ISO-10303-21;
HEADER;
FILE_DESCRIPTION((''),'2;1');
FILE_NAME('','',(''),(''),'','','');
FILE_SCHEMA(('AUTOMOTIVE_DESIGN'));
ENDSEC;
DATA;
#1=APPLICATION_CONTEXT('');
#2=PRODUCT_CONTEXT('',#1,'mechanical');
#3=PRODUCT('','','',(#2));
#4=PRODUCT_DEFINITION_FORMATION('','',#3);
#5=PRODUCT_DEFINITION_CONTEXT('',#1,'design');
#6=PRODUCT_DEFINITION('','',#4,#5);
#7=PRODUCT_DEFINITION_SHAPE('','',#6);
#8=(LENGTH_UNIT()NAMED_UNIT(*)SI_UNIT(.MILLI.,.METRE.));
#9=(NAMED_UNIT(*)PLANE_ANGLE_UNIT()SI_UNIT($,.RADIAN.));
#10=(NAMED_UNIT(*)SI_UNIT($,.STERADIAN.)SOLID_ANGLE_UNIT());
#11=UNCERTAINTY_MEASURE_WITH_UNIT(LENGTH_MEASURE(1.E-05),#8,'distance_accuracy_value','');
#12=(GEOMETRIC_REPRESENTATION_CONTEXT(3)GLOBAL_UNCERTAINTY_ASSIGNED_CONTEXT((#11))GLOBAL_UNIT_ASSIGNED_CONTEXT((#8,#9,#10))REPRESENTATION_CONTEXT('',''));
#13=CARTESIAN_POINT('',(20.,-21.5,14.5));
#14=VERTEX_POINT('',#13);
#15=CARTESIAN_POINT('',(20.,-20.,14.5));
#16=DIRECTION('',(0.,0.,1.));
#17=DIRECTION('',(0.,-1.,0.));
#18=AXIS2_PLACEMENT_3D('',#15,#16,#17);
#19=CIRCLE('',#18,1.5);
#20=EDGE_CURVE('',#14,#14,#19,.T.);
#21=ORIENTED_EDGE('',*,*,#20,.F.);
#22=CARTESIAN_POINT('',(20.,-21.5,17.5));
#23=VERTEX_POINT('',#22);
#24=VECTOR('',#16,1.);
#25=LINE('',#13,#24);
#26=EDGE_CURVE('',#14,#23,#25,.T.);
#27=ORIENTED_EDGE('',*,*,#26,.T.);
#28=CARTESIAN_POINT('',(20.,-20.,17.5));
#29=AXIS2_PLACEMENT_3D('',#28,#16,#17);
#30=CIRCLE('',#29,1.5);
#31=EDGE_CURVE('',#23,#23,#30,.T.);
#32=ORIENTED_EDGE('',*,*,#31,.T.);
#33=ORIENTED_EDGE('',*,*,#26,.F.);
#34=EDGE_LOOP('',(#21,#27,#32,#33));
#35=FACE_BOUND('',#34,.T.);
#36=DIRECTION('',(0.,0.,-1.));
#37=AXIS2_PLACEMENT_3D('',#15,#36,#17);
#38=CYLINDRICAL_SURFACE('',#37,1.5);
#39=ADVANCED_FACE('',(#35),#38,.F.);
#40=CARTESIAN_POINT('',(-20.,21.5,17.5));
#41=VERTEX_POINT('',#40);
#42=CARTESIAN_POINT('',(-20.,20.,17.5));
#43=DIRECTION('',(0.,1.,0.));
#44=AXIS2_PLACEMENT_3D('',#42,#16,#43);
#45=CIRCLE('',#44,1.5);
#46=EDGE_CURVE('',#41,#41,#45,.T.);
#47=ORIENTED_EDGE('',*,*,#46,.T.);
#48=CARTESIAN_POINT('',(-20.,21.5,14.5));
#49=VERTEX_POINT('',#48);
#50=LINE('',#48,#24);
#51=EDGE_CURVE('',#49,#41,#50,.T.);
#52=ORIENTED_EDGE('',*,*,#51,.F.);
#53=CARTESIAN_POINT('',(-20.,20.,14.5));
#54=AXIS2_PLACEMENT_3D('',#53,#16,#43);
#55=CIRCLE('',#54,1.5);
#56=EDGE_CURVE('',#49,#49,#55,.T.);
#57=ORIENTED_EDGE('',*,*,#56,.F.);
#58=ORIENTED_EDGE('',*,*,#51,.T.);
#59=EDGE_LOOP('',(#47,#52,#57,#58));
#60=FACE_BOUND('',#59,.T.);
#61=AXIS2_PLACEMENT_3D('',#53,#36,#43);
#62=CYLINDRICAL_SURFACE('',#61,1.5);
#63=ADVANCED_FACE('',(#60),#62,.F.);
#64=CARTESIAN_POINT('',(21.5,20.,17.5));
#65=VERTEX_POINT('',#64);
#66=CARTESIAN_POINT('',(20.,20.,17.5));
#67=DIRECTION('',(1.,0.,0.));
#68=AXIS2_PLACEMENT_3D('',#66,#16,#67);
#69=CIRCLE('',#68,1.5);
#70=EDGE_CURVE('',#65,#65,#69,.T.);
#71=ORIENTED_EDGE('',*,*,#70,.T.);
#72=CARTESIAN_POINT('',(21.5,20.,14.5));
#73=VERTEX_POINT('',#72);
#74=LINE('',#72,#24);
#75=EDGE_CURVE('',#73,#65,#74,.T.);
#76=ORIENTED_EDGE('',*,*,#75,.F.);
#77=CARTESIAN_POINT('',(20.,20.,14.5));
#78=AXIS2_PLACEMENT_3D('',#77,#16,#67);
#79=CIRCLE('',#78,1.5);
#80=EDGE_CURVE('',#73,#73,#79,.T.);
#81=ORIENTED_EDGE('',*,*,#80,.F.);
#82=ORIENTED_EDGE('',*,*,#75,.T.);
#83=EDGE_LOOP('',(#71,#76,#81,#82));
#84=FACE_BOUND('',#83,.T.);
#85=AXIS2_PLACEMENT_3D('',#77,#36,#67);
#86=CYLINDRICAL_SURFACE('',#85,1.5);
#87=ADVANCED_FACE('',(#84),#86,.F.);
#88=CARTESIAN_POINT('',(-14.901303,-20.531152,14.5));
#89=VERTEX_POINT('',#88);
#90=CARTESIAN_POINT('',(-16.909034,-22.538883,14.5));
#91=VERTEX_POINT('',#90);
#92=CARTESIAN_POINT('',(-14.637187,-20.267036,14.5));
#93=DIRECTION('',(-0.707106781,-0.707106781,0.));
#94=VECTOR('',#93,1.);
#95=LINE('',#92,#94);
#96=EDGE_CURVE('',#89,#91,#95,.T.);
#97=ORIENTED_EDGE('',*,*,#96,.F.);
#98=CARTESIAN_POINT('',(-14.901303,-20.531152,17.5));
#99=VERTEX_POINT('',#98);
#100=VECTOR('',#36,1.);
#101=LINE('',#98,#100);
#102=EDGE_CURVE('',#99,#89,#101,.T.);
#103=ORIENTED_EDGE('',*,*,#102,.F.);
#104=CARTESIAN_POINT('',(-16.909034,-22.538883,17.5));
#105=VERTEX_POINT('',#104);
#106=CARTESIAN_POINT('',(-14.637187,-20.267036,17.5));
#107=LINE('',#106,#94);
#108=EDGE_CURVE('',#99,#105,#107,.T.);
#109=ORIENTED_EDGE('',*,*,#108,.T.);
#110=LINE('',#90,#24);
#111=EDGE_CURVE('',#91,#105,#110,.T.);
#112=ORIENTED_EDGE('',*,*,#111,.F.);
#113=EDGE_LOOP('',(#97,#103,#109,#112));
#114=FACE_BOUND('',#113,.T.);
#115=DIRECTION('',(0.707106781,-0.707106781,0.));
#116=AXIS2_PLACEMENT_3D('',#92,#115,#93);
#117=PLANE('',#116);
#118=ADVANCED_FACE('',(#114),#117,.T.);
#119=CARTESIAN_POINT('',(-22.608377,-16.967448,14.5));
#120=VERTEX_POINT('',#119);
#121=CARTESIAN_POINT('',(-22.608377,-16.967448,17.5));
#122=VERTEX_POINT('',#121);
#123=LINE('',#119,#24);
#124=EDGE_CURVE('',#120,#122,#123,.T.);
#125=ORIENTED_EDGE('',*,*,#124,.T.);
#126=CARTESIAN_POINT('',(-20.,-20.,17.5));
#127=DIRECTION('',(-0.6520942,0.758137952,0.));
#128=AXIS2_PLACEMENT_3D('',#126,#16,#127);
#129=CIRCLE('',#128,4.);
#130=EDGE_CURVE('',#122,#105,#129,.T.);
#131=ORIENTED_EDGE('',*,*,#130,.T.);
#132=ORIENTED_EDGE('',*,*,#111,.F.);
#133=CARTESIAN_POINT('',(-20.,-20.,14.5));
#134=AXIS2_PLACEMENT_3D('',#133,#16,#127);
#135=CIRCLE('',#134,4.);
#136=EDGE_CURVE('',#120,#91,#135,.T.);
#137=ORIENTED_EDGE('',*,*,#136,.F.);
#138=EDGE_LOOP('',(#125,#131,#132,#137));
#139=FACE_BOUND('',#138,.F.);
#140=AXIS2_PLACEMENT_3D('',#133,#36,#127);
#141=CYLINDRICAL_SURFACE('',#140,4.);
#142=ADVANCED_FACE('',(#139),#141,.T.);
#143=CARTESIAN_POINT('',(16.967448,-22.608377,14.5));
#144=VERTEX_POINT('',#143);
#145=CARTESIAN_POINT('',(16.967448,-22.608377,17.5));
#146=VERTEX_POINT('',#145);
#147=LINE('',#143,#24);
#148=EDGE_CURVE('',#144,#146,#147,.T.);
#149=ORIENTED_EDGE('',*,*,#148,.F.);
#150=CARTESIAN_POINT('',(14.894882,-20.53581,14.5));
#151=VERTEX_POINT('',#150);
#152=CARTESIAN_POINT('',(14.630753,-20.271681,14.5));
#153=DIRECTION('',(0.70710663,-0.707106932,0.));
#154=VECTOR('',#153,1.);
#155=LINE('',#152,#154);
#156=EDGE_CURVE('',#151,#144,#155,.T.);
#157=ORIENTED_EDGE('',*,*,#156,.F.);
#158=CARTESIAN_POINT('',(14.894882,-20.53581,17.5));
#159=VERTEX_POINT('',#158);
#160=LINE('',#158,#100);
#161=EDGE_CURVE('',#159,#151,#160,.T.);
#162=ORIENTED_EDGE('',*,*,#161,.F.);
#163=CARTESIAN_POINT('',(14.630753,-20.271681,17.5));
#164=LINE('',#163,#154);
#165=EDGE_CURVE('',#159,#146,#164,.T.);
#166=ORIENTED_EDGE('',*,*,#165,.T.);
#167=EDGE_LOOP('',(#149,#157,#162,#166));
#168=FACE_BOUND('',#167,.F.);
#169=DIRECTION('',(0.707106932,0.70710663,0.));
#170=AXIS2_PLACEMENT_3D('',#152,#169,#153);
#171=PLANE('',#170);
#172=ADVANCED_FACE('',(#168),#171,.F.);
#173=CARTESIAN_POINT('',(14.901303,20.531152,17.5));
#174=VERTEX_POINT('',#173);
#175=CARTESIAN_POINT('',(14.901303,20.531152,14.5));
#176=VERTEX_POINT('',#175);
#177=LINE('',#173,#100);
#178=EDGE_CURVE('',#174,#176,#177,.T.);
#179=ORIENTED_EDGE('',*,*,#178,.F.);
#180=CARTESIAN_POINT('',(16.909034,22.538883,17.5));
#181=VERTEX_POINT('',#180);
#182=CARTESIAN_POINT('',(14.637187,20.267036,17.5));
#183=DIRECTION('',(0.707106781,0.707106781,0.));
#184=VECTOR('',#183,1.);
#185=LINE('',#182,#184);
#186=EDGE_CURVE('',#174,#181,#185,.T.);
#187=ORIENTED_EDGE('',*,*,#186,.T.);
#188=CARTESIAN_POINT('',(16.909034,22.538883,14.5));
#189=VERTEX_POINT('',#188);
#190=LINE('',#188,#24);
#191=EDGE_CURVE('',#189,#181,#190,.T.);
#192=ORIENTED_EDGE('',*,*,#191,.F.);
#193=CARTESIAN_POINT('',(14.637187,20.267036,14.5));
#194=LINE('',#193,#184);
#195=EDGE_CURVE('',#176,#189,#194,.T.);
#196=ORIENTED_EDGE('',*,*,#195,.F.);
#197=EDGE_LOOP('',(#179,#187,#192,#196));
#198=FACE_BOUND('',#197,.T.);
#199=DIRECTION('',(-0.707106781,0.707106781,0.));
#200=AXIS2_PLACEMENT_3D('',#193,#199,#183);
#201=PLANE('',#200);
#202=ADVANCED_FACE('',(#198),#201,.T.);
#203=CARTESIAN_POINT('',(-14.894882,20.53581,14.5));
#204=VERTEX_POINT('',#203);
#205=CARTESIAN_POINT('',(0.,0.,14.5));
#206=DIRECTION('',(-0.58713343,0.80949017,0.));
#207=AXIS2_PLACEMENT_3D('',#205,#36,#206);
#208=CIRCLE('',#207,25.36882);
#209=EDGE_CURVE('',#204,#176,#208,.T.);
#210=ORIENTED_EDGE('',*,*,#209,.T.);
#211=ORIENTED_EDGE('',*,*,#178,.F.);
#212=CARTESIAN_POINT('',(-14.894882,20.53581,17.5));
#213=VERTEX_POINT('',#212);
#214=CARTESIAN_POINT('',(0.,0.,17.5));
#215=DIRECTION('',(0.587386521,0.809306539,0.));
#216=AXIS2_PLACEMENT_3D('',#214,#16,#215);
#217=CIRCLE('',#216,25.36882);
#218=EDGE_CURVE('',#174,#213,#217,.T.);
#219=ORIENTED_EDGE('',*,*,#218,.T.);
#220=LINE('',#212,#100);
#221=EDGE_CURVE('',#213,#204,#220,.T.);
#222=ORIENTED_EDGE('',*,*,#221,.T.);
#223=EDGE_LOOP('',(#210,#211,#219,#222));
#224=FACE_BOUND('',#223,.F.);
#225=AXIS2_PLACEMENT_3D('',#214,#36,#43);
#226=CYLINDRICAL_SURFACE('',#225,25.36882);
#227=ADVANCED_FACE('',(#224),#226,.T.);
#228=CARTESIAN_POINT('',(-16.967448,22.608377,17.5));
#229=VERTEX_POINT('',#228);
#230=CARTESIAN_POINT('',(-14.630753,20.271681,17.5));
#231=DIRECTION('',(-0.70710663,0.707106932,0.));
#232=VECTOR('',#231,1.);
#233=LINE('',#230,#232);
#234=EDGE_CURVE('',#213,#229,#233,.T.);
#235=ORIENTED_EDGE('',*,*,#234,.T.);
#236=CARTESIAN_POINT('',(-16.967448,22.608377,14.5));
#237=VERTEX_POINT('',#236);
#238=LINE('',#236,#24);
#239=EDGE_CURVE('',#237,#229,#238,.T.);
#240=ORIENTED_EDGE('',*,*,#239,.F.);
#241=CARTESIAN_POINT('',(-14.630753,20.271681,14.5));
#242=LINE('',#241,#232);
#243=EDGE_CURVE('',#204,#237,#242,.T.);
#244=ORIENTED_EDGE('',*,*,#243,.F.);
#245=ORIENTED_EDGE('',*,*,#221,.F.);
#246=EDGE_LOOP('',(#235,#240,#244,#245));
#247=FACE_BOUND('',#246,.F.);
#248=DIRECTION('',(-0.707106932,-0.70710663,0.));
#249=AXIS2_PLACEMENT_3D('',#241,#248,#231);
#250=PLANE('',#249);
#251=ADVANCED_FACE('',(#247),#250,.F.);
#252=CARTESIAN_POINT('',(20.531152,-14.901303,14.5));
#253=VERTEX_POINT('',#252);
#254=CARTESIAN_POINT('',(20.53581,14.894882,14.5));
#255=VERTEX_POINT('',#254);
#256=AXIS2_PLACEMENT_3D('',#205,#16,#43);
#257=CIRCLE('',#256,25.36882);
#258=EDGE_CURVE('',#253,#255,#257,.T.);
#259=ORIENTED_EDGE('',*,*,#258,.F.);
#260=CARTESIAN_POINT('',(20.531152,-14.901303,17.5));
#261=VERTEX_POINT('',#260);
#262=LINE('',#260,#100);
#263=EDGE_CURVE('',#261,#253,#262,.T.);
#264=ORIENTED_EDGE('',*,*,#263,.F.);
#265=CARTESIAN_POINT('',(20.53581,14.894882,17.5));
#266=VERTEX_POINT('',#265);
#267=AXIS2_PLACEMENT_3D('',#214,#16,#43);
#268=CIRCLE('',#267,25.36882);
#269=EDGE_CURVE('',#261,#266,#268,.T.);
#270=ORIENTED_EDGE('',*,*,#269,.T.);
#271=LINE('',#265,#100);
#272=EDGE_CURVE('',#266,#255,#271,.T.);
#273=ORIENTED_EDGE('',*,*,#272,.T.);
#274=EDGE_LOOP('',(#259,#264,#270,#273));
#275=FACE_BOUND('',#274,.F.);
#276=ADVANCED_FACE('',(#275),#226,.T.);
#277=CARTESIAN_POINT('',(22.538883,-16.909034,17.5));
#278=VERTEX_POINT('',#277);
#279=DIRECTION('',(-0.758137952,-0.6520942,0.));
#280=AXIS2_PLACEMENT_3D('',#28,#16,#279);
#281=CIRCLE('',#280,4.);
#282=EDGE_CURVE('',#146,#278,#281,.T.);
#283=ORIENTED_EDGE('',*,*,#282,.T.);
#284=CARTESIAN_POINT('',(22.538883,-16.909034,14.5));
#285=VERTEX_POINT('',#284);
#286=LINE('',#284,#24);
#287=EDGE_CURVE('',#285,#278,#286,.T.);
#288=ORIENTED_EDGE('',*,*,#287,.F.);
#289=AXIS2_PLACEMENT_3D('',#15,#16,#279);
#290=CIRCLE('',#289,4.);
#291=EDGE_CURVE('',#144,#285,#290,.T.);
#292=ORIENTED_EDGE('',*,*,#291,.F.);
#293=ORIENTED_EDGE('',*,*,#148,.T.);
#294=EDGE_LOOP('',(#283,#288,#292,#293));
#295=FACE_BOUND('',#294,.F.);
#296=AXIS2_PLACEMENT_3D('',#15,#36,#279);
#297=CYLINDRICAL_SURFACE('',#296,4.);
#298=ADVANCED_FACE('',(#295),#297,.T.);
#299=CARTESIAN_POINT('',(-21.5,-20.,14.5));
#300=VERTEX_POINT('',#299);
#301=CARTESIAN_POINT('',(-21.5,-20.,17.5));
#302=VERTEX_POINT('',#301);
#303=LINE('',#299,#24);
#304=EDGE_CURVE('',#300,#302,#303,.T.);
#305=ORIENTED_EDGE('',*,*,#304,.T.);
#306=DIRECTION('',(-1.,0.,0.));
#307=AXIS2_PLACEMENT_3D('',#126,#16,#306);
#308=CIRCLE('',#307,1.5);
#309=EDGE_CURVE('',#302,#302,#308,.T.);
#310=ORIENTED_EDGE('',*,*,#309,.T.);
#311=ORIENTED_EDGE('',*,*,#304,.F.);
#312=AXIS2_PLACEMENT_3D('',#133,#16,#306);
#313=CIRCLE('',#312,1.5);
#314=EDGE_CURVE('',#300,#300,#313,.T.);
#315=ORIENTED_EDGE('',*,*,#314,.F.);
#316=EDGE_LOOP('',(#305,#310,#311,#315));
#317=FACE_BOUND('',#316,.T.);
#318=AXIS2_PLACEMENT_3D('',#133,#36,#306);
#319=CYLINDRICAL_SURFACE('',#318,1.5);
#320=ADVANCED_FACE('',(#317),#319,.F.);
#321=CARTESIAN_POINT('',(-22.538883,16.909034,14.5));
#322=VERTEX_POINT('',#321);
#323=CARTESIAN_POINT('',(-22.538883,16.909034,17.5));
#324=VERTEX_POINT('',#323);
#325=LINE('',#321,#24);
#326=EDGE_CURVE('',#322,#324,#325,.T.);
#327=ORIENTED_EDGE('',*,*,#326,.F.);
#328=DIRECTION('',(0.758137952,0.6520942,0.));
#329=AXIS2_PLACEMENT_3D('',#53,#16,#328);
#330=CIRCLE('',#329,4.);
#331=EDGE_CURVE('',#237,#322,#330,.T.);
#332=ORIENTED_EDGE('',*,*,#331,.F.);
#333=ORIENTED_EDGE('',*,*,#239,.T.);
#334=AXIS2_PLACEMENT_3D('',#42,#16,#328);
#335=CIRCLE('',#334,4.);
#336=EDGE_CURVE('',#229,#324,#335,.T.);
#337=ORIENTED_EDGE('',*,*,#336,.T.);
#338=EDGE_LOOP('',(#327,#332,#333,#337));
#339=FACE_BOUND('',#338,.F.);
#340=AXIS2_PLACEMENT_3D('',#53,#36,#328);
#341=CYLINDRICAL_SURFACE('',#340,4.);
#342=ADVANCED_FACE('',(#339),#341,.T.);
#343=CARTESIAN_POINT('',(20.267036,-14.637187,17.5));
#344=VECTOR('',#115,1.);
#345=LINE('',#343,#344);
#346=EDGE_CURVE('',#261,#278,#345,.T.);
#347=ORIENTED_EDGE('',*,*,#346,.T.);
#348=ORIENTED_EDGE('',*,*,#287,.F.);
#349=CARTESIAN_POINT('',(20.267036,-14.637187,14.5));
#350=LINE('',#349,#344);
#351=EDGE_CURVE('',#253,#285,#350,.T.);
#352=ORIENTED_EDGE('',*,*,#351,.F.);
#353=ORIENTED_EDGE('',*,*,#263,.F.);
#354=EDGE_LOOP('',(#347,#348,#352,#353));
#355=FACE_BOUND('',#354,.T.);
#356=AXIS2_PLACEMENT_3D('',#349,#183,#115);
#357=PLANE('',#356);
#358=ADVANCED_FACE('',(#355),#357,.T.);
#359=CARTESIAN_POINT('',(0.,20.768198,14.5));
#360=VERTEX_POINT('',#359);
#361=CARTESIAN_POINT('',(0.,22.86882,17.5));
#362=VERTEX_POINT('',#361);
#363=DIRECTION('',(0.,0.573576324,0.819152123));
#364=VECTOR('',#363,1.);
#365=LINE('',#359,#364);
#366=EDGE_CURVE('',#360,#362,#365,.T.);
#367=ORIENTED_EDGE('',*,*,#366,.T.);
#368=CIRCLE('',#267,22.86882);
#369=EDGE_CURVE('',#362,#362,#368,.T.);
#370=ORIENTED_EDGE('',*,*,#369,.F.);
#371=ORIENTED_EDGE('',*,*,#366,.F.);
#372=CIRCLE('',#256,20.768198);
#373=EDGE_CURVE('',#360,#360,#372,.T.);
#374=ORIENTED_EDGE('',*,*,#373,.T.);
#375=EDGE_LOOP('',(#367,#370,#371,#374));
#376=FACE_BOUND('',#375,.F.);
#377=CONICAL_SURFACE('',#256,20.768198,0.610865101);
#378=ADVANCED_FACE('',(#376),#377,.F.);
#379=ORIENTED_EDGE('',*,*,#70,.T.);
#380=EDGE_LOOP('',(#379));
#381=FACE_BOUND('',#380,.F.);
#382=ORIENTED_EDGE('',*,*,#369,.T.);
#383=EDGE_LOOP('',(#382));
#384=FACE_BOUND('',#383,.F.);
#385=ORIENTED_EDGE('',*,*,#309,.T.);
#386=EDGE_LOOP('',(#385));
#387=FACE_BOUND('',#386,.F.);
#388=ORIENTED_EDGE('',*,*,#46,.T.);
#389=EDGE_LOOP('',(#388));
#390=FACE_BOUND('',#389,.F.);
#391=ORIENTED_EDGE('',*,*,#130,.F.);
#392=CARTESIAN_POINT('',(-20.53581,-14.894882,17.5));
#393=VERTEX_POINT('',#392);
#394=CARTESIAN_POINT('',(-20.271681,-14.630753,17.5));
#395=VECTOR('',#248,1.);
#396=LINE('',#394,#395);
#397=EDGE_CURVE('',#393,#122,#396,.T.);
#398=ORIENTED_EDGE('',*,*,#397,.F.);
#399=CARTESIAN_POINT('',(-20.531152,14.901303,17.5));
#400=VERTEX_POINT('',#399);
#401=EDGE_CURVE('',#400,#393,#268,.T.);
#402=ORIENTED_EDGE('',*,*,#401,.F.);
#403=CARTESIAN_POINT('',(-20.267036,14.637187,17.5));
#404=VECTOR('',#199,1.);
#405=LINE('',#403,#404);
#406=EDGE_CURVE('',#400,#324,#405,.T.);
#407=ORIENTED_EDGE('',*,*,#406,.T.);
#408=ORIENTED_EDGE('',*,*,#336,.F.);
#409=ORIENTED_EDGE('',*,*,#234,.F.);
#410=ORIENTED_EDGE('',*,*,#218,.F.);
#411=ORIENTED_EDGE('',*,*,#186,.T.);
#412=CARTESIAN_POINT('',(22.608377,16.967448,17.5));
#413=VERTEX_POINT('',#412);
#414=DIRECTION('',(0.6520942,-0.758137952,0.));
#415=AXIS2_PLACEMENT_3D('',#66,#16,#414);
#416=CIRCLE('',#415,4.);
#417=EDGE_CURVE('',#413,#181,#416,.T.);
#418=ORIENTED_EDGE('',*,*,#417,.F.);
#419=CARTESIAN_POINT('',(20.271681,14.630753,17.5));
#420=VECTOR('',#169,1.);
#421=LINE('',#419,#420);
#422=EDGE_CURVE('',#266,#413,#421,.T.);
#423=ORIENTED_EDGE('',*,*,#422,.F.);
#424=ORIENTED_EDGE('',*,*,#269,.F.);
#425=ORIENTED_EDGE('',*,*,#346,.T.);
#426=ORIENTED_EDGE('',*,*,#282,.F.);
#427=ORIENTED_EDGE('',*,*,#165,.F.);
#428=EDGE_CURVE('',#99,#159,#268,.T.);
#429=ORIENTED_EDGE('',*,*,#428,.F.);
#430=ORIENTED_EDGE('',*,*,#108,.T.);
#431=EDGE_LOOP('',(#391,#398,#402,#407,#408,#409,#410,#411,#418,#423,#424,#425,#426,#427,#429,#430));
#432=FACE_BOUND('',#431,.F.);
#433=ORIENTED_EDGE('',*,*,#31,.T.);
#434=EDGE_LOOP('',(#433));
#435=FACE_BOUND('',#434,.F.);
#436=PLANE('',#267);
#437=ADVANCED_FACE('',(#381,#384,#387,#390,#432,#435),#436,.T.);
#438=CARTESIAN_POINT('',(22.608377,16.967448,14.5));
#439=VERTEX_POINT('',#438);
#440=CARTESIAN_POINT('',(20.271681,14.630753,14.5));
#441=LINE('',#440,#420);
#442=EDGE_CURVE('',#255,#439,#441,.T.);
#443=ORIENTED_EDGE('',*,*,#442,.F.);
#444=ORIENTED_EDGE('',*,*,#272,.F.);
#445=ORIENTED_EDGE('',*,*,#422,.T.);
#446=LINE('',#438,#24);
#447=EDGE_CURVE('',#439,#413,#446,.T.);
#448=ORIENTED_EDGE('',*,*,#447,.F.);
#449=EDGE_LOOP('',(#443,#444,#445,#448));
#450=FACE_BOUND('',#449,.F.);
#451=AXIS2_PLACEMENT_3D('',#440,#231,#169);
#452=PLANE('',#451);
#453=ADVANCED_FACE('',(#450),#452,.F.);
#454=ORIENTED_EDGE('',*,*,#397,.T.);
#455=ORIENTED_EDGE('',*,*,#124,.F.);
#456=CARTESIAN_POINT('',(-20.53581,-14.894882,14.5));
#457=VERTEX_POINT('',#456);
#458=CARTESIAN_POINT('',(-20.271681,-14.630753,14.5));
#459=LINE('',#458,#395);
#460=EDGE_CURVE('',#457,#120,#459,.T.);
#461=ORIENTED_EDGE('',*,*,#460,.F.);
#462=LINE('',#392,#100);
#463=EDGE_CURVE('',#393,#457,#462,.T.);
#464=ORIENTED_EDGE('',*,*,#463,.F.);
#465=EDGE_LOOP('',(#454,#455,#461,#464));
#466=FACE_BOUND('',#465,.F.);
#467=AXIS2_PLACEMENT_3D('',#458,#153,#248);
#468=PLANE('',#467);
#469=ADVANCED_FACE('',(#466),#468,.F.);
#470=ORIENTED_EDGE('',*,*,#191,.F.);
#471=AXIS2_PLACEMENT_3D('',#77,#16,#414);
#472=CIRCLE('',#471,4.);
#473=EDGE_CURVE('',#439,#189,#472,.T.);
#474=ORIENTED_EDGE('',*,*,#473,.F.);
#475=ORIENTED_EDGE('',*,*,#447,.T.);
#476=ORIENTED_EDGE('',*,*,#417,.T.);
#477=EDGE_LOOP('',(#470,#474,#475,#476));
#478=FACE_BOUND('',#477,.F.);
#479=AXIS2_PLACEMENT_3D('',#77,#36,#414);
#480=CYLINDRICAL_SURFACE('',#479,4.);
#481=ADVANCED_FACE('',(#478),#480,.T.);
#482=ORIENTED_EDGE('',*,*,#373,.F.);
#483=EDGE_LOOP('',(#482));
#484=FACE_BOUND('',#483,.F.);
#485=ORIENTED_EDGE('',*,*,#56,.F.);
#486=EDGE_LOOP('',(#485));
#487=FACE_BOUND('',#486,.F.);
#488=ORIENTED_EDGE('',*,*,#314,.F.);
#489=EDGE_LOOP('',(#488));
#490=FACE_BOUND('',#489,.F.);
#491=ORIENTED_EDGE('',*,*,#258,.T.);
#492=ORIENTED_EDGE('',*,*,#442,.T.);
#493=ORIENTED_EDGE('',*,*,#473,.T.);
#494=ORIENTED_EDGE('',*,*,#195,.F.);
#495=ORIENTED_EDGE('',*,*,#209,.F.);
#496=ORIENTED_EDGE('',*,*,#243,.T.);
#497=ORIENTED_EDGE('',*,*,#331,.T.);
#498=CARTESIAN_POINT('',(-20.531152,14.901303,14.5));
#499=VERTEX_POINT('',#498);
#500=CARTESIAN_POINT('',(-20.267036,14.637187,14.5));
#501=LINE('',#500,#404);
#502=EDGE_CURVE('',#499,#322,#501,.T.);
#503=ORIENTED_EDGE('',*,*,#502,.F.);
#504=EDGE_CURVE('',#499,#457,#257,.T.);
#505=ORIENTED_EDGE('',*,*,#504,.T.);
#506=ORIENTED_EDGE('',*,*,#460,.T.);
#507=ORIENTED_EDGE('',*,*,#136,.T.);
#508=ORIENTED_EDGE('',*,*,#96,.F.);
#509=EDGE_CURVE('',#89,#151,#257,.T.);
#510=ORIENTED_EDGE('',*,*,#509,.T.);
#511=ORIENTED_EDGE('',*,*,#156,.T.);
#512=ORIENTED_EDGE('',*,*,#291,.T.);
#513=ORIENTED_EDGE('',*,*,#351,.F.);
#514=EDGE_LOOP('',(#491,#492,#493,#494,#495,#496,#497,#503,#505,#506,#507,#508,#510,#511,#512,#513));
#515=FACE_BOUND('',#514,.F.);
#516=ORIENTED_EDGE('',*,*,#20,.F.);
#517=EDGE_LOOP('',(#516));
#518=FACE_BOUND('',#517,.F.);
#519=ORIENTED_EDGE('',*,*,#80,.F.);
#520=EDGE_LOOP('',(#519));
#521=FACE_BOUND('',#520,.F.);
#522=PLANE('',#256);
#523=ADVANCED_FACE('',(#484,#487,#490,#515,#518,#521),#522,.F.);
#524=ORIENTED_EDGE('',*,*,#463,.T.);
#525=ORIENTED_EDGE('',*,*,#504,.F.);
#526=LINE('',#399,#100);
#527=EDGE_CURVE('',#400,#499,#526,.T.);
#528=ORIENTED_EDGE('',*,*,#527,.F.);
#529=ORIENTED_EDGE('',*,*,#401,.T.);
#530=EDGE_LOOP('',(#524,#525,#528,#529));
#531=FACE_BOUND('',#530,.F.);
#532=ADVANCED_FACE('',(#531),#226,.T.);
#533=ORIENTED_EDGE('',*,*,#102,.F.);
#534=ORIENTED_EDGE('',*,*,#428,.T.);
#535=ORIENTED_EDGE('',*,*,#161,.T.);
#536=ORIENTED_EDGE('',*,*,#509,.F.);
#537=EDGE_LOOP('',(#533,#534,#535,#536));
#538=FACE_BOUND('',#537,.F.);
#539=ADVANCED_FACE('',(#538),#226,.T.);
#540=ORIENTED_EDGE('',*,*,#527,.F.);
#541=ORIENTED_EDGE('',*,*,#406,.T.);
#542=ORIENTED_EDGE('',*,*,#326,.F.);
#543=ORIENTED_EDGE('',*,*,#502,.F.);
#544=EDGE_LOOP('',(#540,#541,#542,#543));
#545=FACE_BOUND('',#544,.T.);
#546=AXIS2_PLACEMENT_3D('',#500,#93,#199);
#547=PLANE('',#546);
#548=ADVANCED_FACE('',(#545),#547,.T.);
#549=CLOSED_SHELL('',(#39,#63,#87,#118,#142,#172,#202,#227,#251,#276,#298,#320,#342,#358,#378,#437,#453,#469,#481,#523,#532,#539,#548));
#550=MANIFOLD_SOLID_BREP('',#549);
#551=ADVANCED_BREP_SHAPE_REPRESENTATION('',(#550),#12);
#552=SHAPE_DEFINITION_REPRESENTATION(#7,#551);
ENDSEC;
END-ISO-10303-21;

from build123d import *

# Parameters (mm, degrees)
SKETCH005_R = 1.5
PAD_DEPTH   = 3
ARRAY_COUNT = 4


with BuildPart() as revolution001:
    # Sketch004 → Revolution001 (revolve)
    with BuildSketch(Plane(origin=(0, 0, 16), x_dir=(0, 1, 0), z_dir=(1, 0, 0))):
        Polygon((20.768198, -1.5), (22.86882, 1.5), (25.36882, 1.5), (25.36882, -1.5), align=None)
    revolve(axis=Axis((0, 0, 16), (0, 0, 1)))


with BuildPart() as fusion:
    # Sketch005 → Pad (new body)
    with BuildSketch(Plane.XY.offset(14.5)):
        with BuildLine():
            ThreePointArc((20.271681, 14.630753), (17.680475, 17.674864), (14.637187, 20.267036))
            Line((14.637187, 20.267036), (16.909034, 22.538883))
            ThreePointArc((22.608377, 16.967448), (22.796148, 22.860342), (16.909034, 22.538883))
            Line((20.271681, 14.630753), (22.608377, 16.967448))
        make_face()
        with Locations((20, 20)):
            Circle(SKETCH005_R, mode=Mode.SUBTRACT)
    extrude(amount=PAD_DEPTH)

    # Array: Fusion ×4 about axis
    array_axis = Axis((0, 0, 1), (0, 0, 1))


with BuildPart() as fusion_1:
    add(fusion.part)
    for i in range(1, ARRAY_COUNT):
        add(fusion.part.rotate(array_axis, i * 360 / ARRAY_COUNT))

    # Fusion: union Revolution001
    add(revolution001.part)


solid = fusion_1.part
